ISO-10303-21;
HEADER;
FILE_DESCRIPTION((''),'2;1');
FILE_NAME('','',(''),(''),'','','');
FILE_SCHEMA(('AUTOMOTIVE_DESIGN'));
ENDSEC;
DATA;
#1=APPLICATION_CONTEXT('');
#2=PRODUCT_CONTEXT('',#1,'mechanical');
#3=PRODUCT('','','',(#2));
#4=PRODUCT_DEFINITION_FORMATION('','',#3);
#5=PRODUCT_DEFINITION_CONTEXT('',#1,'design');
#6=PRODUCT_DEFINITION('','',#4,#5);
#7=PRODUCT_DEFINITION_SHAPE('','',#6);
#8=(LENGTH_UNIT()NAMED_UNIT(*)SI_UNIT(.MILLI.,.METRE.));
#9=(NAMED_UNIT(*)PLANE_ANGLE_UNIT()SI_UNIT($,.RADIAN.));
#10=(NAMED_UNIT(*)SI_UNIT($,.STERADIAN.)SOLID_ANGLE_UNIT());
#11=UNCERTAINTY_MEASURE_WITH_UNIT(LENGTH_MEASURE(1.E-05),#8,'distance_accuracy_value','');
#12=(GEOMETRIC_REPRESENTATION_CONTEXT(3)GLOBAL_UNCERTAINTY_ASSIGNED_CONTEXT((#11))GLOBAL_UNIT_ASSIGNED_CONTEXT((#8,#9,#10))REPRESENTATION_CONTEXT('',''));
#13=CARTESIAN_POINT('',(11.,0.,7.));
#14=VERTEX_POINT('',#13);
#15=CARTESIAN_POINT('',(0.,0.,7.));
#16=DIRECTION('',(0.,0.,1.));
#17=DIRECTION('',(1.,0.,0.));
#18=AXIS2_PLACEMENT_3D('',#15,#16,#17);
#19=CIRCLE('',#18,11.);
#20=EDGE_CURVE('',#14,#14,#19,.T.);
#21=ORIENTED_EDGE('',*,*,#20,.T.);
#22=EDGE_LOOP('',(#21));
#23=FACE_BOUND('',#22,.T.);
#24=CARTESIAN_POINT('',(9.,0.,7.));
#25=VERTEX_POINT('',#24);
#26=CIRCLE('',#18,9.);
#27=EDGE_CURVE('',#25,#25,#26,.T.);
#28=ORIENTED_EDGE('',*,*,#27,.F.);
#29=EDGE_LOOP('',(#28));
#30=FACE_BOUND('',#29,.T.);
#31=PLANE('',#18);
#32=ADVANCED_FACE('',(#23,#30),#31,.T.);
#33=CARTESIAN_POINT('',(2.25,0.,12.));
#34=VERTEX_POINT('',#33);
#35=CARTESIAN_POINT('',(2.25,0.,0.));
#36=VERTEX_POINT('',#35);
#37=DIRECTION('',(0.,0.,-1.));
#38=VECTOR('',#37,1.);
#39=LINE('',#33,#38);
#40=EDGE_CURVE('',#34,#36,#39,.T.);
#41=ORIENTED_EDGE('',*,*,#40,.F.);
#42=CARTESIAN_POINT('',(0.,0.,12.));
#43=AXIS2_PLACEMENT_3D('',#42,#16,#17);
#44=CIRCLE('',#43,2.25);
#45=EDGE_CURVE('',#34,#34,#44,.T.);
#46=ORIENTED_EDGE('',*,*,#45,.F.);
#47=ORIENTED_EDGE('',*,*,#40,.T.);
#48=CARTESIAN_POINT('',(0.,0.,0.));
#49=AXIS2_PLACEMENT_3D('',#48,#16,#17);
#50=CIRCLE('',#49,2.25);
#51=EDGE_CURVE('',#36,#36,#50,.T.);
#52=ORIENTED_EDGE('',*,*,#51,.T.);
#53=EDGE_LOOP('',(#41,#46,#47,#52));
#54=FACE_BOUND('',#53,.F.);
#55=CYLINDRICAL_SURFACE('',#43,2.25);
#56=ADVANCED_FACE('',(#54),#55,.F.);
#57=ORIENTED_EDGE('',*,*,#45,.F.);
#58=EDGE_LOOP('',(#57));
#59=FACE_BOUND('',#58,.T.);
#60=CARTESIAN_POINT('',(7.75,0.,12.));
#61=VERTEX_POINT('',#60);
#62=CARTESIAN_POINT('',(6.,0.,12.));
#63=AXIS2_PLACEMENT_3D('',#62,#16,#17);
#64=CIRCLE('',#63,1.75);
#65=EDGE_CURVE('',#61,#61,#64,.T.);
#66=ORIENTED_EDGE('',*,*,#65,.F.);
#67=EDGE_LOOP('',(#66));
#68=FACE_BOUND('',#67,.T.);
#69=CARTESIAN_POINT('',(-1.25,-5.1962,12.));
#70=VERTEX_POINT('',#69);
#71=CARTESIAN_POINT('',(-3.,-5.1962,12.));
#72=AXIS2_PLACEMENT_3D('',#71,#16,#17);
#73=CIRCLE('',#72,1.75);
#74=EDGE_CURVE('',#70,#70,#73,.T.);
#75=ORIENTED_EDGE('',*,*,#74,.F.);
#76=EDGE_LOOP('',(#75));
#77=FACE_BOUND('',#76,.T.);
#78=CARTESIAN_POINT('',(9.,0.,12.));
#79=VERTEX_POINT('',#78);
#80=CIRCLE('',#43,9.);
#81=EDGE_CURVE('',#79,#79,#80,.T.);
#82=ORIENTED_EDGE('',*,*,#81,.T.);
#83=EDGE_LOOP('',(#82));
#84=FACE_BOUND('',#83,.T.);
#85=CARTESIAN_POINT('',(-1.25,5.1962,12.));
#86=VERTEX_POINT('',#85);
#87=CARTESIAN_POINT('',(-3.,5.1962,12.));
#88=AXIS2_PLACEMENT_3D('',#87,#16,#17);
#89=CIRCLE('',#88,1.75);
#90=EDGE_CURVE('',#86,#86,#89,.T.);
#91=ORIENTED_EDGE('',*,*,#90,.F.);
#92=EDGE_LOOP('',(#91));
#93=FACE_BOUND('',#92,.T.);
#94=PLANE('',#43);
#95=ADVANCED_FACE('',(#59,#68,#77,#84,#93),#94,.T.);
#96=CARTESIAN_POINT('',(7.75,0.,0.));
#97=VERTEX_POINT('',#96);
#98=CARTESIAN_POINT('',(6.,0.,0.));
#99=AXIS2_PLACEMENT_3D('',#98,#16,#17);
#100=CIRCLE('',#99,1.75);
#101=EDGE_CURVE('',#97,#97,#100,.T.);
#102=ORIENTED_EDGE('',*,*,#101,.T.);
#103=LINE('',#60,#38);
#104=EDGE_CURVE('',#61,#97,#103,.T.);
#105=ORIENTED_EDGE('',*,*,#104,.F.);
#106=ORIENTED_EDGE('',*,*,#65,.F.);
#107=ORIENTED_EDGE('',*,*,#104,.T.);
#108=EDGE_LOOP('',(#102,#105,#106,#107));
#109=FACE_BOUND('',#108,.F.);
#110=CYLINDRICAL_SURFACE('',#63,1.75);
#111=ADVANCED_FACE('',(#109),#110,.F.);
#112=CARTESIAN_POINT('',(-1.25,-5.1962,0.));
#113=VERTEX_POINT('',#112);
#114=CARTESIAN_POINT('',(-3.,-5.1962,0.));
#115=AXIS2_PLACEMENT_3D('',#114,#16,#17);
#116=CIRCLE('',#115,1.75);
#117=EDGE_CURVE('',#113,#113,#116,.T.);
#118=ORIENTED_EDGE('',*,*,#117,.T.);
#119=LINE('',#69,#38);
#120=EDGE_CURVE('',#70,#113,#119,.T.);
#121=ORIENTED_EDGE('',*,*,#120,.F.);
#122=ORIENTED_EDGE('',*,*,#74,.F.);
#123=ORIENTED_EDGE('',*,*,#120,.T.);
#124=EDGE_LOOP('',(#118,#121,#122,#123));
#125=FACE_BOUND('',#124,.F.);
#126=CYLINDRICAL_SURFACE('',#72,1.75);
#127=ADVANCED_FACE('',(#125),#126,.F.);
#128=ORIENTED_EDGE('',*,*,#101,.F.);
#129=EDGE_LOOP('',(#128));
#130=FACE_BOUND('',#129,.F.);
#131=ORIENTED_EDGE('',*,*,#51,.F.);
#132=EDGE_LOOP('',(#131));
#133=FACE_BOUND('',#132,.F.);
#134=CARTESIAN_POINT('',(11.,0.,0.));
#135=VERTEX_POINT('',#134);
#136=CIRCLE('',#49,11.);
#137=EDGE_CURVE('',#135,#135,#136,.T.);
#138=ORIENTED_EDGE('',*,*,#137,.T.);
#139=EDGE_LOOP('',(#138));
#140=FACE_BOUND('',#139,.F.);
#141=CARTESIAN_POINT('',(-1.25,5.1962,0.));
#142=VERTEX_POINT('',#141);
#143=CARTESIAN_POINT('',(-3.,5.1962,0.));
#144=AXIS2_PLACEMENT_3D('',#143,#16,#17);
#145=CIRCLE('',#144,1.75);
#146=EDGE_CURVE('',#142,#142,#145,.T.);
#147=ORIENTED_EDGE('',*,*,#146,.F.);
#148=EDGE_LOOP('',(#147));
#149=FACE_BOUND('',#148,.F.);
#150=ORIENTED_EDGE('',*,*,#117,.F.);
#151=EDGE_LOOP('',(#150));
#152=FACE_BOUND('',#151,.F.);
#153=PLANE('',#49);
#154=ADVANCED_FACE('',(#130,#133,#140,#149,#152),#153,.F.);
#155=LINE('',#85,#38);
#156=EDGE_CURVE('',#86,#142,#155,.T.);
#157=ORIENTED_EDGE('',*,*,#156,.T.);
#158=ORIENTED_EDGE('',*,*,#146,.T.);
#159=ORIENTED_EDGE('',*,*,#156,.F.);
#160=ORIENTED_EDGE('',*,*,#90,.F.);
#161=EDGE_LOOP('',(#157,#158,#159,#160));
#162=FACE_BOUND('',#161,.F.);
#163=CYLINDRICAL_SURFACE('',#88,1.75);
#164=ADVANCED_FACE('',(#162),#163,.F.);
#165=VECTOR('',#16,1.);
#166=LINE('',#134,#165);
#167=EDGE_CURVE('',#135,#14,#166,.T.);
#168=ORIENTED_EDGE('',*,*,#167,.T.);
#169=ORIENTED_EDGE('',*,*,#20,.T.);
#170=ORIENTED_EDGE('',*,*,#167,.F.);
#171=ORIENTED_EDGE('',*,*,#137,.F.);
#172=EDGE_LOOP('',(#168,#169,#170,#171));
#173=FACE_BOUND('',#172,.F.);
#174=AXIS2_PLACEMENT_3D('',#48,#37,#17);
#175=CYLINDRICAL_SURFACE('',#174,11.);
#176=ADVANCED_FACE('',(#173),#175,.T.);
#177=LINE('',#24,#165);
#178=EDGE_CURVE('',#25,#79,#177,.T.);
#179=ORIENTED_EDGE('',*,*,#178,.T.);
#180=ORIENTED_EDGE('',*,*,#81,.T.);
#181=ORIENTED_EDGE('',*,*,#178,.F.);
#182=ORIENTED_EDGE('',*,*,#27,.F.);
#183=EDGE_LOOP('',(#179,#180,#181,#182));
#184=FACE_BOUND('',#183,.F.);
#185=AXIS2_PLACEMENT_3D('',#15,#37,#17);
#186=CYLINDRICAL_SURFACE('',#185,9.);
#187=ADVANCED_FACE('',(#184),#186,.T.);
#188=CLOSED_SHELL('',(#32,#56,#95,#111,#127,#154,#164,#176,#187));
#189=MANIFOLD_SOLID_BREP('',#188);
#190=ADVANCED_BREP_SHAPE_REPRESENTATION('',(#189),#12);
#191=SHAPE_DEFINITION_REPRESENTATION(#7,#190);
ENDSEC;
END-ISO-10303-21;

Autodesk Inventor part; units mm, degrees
ref_plane "YZ Plane" through (0, 0, 0) normal (1, 0, 0) x (0, 1, 0)
ref_plane "XZ Plane" through (0, 0, 0) normal (0, 1, 0) x (-1, 0, 0)
ref_plane "XY Plane" through (0, 0, 0) normal (0, 0, 1) x (1, 0, 0)
sketch "Sketch1" plane through (0, 0, 0) normal (0, 0, 1) x (1, 0, 0)
  circle A0 centre (0, 0) radius 11
  dimension "d0" = 22
extrude "Extrusion1" add sketch "Sketch1" along normal blind 7
sketch "Sketch2" plane through (0, 0, 7) normal (0, 0, 1) x (1, 0, 0)
  circle A0 centre (0, 0) radius 9
  dimension "d3" = 18
extrude "Extrusion2" add sketch "Sketch2" along normal blind 5
sketch "Sketch3" plane through (0, 0, 12) normal (0, 0, 1) x (1, 0, 0)
  circle A0 centre (0, 0) radius 2.25
  circle A1 centre (6, 0) radius 1.75
  circle A2 centre (-3, 5.1962) radius 1.75
  circle A3 centre (-3, -5.1962) radius 1.75
  dimension "d6" = 4.5
  dimension "d7" = 3.5
  dimension "d8" = 6
  dimension "d11" = 360
extrude "Extrusion3" cut sketch "Sketch3" against normal through all
properties part number "WA005" material "Aluminum 6061"
